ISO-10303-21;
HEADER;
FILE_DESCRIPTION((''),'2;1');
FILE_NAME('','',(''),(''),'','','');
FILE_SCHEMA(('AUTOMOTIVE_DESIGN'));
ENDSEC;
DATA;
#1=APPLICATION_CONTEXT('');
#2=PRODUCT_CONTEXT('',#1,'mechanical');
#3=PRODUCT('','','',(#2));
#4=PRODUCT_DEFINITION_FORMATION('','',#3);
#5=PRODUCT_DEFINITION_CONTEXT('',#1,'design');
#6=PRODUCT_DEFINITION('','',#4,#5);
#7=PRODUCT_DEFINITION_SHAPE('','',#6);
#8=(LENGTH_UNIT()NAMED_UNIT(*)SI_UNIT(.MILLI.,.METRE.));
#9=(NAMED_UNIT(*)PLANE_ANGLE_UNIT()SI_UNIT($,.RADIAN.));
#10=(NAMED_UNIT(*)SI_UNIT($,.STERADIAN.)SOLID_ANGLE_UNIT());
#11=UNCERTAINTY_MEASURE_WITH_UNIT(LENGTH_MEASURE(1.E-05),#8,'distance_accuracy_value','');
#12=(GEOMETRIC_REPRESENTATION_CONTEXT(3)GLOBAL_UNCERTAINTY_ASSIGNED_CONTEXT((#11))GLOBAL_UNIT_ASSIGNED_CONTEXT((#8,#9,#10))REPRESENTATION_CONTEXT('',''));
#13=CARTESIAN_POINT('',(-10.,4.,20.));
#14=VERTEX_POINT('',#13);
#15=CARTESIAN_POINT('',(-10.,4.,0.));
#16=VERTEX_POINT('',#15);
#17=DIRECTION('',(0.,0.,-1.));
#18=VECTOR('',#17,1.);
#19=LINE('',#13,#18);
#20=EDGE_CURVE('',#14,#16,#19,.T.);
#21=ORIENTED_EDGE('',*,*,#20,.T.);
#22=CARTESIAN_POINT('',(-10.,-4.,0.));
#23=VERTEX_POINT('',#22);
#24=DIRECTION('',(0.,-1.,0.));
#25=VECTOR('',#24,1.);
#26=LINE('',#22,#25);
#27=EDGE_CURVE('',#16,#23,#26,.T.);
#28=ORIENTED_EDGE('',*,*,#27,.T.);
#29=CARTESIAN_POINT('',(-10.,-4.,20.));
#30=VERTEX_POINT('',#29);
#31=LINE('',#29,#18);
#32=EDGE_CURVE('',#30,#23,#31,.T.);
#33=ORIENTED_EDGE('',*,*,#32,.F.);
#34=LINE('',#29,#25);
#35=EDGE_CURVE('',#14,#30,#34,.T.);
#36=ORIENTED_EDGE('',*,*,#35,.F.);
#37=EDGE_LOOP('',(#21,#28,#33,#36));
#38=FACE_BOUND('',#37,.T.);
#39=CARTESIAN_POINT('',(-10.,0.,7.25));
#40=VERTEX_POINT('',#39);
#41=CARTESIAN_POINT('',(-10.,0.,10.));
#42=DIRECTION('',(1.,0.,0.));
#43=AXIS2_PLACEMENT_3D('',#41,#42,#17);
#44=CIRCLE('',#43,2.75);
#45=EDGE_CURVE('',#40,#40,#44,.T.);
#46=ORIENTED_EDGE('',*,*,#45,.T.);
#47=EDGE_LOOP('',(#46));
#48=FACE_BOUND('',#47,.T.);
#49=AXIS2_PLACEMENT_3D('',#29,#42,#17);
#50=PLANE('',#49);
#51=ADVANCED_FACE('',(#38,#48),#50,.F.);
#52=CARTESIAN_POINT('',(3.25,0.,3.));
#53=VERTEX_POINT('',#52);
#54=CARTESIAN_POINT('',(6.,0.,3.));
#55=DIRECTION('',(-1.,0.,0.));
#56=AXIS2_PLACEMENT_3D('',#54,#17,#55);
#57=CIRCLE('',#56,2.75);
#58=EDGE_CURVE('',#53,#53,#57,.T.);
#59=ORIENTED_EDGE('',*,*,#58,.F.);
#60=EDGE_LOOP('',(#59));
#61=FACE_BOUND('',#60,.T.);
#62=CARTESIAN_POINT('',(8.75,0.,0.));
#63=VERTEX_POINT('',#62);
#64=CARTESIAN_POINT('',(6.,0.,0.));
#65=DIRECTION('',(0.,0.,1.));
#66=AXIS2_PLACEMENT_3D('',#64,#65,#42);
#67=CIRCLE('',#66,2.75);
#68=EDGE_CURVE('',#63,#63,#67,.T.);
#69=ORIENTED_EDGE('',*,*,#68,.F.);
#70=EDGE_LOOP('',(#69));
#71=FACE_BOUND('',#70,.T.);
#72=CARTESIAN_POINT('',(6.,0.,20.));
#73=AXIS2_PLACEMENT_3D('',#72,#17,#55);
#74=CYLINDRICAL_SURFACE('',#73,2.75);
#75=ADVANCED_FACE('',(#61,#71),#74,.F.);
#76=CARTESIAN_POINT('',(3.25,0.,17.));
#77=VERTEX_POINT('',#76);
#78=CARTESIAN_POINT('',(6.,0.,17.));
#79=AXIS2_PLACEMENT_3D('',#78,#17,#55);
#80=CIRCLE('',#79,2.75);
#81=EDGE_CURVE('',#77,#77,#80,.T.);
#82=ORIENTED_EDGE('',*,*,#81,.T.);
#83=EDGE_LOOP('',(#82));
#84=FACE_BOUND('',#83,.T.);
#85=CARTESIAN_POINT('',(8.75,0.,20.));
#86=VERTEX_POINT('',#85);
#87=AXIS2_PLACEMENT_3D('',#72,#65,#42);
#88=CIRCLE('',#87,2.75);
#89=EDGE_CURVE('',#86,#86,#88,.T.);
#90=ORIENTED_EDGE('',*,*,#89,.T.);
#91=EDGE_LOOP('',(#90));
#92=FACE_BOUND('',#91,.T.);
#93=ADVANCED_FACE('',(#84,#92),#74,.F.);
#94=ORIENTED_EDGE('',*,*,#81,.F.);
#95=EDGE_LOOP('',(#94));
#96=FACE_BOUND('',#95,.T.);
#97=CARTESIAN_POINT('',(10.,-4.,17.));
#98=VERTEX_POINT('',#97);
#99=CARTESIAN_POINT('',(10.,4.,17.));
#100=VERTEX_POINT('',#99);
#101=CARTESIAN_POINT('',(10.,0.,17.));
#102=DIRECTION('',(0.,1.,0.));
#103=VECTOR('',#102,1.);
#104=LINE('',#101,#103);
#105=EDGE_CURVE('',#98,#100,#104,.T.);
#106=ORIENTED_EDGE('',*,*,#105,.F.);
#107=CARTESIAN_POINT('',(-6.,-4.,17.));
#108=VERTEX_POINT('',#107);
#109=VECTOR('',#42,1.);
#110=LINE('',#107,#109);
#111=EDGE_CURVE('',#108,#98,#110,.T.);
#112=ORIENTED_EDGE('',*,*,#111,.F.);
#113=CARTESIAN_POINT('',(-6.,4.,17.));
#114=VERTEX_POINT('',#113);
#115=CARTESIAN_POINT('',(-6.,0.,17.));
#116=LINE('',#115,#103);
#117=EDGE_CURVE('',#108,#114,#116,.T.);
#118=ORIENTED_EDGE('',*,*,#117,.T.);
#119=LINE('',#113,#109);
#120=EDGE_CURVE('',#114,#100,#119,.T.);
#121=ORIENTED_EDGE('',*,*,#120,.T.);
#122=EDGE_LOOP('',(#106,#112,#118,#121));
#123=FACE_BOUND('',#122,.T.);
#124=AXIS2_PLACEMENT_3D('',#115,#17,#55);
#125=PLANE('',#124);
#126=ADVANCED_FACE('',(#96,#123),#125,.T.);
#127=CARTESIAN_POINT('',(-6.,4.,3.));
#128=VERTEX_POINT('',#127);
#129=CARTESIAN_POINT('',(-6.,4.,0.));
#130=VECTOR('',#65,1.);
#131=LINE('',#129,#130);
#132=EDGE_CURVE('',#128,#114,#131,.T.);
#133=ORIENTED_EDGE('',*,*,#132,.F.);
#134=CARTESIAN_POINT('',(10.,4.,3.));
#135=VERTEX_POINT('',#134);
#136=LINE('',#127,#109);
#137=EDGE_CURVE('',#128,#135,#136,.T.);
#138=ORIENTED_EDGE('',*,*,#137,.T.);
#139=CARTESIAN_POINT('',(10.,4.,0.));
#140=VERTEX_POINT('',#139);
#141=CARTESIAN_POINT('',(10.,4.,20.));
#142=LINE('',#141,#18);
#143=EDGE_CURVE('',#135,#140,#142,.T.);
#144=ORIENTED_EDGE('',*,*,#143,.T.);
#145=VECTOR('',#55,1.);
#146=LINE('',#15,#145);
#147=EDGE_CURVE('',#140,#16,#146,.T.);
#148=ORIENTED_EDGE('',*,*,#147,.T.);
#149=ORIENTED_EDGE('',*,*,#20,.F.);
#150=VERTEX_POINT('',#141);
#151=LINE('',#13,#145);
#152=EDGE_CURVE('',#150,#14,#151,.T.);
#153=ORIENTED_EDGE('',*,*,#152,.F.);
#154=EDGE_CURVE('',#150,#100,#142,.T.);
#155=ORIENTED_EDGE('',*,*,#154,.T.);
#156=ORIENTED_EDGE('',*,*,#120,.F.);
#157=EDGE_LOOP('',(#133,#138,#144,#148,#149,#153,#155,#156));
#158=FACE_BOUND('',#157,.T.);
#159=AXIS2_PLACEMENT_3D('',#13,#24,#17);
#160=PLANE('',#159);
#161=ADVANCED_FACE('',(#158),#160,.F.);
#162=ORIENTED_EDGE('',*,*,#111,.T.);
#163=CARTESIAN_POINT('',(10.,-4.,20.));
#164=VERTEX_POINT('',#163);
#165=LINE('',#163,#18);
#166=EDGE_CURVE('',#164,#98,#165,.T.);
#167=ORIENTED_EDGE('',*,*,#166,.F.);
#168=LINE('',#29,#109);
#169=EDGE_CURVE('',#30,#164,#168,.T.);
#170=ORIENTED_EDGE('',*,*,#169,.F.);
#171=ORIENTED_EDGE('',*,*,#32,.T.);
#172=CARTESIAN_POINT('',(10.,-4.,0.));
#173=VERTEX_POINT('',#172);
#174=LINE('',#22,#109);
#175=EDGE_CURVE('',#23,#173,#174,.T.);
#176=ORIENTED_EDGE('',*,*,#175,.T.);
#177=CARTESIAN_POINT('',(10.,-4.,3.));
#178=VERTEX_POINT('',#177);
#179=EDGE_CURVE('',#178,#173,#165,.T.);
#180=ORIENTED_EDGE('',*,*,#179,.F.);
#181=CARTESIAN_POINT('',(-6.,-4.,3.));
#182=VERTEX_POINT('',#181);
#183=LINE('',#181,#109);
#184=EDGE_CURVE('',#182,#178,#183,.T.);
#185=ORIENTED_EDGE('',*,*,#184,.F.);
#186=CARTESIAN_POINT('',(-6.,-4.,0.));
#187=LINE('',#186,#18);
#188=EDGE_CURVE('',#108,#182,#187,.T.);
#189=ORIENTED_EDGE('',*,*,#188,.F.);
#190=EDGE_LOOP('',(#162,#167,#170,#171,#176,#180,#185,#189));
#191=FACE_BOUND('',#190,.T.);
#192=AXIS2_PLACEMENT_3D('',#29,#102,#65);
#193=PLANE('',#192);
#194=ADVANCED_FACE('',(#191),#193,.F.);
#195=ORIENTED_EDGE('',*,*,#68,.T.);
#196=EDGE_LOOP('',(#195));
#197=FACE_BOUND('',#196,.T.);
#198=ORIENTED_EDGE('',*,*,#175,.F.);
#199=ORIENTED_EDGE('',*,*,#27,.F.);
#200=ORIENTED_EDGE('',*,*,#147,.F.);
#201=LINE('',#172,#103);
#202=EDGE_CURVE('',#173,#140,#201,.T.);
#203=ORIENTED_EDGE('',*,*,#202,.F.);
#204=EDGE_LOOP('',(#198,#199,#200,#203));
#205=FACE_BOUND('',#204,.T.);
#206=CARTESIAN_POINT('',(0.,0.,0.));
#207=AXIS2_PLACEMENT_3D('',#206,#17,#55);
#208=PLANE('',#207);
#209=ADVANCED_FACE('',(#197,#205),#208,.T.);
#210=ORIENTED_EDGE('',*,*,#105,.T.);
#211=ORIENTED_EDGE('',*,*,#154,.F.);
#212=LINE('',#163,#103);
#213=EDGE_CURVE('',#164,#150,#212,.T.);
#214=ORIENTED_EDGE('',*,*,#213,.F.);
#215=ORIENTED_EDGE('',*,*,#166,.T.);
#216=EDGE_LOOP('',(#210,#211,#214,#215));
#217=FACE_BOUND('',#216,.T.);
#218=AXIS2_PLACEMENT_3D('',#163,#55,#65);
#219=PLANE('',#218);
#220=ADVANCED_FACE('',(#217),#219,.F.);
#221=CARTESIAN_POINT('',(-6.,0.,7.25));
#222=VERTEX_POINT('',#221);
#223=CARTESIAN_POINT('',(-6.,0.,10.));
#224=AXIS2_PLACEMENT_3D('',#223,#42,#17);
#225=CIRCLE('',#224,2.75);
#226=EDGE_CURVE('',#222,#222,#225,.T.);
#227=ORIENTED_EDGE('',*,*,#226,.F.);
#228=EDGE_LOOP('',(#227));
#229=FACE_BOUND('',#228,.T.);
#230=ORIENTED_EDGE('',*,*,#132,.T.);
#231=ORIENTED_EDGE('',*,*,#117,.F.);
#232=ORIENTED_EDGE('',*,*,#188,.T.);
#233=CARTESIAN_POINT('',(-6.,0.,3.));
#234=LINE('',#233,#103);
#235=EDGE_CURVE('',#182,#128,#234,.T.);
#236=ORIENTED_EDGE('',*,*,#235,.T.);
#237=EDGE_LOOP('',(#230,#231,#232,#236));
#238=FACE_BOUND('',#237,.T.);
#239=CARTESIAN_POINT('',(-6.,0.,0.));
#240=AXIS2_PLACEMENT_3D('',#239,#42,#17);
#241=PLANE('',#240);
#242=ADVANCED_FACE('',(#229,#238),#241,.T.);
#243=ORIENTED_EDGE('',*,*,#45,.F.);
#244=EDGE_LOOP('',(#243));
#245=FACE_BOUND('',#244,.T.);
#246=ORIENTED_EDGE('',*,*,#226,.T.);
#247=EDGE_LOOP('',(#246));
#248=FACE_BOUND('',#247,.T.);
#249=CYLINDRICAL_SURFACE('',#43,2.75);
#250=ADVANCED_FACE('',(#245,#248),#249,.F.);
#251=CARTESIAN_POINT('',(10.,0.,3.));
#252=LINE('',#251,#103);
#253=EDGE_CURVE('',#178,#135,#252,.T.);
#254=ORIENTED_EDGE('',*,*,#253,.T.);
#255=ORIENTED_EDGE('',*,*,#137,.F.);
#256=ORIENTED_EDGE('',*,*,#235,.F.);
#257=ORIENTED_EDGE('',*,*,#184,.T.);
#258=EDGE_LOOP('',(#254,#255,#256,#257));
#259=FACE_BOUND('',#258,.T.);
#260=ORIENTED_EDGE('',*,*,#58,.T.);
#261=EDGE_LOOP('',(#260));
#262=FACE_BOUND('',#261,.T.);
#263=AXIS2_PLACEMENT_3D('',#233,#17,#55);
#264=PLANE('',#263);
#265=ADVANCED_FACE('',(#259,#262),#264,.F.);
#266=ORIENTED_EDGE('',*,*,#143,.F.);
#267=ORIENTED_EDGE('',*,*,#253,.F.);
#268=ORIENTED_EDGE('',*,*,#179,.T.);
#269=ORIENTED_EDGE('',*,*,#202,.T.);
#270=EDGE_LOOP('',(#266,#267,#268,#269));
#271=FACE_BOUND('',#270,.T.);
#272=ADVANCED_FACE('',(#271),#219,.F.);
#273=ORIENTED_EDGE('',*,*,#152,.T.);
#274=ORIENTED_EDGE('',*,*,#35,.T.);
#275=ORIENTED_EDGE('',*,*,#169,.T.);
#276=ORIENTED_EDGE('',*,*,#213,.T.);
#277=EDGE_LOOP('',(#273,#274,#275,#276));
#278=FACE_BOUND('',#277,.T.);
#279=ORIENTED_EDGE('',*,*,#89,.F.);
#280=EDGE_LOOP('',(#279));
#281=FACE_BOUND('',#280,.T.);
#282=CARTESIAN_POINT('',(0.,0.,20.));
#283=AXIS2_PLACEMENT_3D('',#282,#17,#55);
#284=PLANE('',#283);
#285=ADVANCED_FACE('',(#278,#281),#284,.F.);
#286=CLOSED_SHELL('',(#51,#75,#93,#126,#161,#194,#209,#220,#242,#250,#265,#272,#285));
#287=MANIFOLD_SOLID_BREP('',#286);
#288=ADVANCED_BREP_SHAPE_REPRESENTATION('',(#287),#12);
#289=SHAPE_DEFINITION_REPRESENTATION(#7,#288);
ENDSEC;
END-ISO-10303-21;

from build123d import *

# Parameters (mm, degrees)
SKETCH1_W           = 20
SKETCH1_H           = 8
SKETCH1_R           = 2.75
BOSS_EXTRUDE1_DEPTH = 20
SKETCH2_W           = 14
SKETCH2_H           = 8
CUT_EXTRUDE1_DEPTH  = 16
SKETCH3_R           = 2.75
CUT_EXTRUDE2_DEPTH  = 26.922962794


with BuildPart() as part:
    # Sketch1 → Boss-Extrude1 (new body)
    with BuildSketch(Plane.XY):
        Rectangle(SKETCH1_W, SKETCH1_H)
        with Locations((6, 0)):
            Circle(SKETCH1_R, mode=Mode.SUBTRACT)
    extrude(amount=BOSS_EXTRUDE1_DEPTH)

    # Sketch2 → Cut-Extrude1 (cut)
    with BuildSketch(Plane(origin=(10, 0, 0), x_dir=(0, 0, -1), z_dir=(1, 0, 0))):
        with Locations((-10, 0)):
            Rectangle(SKETCH2_W, SKETCH2_H)
    extrude(amount=-CUT_EXTRUDE1_DEPTH, mode=Mode.SUBTRACT)

    # Sketch3 → Cut-Extrude2 (cut, through all)
    with BuildSketch(Plane(origin=(-6, 0, 0), x_dir=(0, 0, -1), z_dir=(1, 0, 0))):
        with Locations((-10, 0)):
            Circle(SKETCH3_R)
    extrude(amount=-CUT_EXTRUDE2_DEPTH, mode=Mode.SUBTRACT)


solid = part.part
